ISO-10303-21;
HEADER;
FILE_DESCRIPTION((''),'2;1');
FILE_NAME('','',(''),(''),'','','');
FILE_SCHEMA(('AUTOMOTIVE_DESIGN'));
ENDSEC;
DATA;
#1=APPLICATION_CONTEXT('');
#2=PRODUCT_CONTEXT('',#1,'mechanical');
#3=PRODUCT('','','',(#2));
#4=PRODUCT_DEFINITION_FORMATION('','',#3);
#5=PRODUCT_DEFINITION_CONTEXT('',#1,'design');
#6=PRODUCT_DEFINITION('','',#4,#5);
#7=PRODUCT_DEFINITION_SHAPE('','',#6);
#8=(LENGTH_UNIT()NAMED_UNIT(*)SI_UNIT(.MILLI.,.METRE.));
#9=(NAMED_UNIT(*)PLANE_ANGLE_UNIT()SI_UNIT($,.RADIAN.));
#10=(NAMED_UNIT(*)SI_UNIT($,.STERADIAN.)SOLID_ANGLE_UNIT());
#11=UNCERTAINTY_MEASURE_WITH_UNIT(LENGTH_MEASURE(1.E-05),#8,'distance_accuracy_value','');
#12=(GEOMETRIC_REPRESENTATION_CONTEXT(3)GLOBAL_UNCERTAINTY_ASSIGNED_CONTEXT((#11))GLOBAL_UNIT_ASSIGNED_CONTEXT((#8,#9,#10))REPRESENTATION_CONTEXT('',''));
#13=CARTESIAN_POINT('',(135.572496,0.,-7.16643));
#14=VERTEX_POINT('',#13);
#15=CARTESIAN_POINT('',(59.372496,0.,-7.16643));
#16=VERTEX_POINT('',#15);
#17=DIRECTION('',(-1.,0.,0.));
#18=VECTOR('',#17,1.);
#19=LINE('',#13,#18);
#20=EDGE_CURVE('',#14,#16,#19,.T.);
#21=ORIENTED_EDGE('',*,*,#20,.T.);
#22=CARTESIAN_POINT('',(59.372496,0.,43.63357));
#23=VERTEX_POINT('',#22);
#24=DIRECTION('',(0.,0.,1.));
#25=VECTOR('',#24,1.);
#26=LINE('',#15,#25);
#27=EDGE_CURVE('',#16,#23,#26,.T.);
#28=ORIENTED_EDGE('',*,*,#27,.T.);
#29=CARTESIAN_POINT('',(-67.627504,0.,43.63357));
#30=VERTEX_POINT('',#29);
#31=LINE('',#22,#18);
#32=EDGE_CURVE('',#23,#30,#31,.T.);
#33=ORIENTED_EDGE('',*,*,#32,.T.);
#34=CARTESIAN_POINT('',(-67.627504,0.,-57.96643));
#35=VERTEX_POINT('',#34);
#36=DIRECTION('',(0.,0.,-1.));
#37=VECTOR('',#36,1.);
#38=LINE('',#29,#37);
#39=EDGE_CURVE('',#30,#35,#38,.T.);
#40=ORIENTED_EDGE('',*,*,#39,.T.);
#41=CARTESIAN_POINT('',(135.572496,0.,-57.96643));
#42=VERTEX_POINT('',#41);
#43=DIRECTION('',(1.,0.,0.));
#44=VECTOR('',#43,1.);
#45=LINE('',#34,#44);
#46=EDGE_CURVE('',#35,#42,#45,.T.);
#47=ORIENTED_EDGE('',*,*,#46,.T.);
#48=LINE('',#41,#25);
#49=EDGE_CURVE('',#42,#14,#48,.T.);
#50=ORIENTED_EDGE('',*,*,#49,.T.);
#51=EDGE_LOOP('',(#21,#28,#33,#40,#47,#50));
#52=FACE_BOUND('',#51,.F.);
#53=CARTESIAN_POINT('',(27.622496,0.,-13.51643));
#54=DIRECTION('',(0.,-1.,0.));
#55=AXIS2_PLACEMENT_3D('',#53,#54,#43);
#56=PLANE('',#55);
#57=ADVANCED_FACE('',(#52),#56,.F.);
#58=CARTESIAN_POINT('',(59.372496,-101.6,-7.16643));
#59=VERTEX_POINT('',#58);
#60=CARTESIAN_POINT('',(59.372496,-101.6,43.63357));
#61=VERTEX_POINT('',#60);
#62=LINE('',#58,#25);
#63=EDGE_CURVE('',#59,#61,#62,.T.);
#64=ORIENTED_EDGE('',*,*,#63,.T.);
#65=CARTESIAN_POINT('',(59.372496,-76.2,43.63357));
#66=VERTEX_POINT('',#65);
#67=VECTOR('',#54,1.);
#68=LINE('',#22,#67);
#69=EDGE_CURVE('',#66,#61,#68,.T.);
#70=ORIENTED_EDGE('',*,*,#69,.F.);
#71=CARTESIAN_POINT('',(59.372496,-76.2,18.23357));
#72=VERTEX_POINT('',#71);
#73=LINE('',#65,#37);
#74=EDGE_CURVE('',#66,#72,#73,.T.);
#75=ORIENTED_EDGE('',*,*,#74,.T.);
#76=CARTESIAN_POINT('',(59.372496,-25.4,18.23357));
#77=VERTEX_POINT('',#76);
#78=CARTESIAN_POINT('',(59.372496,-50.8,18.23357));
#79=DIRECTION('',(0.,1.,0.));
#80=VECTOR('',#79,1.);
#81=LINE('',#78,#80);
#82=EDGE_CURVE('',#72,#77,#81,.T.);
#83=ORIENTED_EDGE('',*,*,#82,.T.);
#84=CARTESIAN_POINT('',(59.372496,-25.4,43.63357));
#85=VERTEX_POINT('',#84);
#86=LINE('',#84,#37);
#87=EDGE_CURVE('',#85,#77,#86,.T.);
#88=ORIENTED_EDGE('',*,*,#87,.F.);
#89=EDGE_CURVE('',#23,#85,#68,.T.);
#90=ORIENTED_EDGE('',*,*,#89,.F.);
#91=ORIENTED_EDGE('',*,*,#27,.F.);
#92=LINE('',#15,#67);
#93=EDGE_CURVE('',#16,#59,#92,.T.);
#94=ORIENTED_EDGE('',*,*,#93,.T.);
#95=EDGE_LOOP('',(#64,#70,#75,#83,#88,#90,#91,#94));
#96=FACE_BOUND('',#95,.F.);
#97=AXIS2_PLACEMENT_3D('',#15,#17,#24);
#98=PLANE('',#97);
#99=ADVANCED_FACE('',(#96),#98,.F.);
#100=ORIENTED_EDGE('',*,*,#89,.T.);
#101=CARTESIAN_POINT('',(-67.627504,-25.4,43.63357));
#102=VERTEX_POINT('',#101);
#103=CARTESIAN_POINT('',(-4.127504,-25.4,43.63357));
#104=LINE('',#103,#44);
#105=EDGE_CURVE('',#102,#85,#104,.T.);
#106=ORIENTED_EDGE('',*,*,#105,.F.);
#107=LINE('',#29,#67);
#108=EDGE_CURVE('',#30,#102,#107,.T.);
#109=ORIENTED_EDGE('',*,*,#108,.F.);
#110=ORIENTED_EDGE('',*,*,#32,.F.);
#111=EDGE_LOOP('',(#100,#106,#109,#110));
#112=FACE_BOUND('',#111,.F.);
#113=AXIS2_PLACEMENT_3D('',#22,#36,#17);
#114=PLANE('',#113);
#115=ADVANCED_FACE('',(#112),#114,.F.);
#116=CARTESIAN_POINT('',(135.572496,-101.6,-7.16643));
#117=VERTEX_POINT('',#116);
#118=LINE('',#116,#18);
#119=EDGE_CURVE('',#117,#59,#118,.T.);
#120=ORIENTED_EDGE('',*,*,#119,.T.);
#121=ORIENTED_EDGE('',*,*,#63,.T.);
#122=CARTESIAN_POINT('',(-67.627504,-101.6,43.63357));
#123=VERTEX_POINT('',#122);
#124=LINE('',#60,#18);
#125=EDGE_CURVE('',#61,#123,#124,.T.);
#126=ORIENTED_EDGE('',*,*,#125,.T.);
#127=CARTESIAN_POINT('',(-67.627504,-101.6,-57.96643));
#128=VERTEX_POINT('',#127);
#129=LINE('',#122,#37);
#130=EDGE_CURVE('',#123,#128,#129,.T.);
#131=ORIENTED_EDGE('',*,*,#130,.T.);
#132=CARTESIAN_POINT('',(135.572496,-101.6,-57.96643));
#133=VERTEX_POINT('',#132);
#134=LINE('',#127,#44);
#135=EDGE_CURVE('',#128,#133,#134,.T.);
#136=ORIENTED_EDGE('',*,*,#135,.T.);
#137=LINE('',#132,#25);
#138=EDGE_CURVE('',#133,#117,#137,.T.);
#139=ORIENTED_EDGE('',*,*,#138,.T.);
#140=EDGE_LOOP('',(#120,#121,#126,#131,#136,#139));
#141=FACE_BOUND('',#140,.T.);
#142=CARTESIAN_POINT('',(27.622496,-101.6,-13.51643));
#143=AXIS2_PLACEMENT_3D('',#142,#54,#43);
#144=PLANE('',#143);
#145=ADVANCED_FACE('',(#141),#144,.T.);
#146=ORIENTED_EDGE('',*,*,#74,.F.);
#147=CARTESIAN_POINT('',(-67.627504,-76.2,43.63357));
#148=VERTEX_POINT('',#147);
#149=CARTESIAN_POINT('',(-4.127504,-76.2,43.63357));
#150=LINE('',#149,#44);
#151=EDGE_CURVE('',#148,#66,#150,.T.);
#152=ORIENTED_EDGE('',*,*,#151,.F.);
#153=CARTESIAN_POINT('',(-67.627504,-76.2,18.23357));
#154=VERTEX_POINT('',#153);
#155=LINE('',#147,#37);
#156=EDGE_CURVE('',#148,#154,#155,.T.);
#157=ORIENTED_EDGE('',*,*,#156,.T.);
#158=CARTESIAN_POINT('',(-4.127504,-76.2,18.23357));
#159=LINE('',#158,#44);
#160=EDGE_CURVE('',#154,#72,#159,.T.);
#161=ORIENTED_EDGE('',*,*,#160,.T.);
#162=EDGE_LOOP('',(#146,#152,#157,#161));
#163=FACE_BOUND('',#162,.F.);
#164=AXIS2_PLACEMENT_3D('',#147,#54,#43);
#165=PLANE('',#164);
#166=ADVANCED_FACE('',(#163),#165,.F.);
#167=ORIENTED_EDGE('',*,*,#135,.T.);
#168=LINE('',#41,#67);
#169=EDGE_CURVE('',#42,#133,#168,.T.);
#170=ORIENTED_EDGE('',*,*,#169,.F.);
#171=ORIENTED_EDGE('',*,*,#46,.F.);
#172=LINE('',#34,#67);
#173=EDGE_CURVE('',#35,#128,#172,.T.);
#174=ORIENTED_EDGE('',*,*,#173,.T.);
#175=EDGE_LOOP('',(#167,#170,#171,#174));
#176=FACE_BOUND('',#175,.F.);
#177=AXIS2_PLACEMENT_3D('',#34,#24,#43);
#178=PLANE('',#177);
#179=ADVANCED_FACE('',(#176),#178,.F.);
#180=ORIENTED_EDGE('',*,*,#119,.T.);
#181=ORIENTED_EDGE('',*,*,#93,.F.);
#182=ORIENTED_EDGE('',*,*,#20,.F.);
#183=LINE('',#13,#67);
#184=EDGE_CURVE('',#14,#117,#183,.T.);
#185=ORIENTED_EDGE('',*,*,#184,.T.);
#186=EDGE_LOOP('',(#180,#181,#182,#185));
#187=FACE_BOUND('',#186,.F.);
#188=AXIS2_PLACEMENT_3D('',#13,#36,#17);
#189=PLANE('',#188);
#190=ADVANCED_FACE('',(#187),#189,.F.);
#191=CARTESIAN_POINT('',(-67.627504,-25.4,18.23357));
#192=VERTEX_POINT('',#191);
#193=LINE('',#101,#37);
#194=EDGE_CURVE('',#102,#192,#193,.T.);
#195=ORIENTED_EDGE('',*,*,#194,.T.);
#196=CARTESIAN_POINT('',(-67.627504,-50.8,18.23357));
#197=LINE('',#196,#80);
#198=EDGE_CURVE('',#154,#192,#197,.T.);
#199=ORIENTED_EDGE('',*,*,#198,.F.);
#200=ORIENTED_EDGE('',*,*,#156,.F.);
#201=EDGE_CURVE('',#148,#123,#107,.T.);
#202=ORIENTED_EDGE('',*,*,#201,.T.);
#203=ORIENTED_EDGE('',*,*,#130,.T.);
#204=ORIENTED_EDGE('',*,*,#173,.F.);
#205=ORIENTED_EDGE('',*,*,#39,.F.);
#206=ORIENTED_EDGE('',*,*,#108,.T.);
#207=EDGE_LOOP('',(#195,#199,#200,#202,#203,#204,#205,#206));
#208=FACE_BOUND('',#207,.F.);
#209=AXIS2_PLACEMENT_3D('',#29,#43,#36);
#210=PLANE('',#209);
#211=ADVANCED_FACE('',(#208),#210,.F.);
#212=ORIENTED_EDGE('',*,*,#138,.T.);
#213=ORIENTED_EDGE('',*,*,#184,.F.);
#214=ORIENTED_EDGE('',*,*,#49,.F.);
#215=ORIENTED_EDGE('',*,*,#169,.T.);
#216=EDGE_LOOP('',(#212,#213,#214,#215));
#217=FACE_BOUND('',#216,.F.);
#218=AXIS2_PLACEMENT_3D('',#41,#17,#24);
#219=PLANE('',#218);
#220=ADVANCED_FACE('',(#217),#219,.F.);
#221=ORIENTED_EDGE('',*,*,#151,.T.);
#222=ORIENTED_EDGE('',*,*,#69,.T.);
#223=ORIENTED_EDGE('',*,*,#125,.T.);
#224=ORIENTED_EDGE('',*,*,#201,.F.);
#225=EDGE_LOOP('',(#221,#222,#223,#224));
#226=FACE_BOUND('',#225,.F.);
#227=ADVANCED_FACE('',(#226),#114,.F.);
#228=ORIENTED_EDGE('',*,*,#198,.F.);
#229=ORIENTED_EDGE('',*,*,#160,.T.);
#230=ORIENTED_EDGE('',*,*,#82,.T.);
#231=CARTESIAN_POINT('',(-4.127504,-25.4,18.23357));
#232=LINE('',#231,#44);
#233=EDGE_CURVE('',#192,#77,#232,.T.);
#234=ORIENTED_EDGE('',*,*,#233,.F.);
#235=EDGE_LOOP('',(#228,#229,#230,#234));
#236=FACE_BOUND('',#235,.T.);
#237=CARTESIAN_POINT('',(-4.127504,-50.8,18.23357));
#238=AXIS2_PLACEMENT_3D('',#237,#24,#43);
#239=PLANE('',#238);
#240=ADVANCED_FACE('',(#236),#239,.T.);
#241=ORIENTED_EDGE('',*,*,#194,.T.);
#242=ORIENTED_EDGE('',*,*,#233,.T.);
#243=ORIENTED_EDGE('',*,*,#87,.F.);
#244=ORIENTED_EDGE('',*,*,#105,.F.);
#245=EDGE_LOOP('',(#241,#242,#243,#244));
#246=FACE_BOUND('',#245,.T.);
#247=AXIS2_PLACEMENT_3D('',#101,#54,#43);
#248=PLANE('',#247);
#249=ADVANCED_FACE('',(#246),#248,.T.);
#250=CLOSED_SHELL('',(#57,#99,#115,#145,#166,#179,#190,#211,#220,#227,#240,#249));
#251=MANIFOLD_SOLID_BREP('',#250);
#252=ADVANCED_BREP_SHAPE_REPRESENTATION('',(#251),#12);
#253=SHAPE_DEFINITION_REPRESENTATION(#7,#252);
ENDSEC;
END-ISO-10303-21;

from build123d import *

# Parameters (mm, degrees)
F1_DEPTH = 101.6
F3_W     = 127
F3_H     = 50.8
F4_DEPTH = 25.4


with BuildPart() as f1:
    # F0 (on Front) → F1 (new body)
    with BuildSketch(Plane.XZ):
        Polygon((59.372496, 43.63357), (-67.627504, 43.63357), (-67.627504, -57.96643), (135.572496, -57.96643), (135.572496, -7.16643), (59.372496, -7.16643), align=None)
    extrude(amount=F1_DEPTH)

    # F3 (on face) → F4 (cut)
    with BuildSketch(Plane.XY.offset(43.63357)):
        with Locations((-4.127504, -50.8)):
            Rectangle(F3_W, F3_H)
    extrude(amount=-F4_DEPTH, mode=Mode.SUBTRACT)


solid = f1.part
